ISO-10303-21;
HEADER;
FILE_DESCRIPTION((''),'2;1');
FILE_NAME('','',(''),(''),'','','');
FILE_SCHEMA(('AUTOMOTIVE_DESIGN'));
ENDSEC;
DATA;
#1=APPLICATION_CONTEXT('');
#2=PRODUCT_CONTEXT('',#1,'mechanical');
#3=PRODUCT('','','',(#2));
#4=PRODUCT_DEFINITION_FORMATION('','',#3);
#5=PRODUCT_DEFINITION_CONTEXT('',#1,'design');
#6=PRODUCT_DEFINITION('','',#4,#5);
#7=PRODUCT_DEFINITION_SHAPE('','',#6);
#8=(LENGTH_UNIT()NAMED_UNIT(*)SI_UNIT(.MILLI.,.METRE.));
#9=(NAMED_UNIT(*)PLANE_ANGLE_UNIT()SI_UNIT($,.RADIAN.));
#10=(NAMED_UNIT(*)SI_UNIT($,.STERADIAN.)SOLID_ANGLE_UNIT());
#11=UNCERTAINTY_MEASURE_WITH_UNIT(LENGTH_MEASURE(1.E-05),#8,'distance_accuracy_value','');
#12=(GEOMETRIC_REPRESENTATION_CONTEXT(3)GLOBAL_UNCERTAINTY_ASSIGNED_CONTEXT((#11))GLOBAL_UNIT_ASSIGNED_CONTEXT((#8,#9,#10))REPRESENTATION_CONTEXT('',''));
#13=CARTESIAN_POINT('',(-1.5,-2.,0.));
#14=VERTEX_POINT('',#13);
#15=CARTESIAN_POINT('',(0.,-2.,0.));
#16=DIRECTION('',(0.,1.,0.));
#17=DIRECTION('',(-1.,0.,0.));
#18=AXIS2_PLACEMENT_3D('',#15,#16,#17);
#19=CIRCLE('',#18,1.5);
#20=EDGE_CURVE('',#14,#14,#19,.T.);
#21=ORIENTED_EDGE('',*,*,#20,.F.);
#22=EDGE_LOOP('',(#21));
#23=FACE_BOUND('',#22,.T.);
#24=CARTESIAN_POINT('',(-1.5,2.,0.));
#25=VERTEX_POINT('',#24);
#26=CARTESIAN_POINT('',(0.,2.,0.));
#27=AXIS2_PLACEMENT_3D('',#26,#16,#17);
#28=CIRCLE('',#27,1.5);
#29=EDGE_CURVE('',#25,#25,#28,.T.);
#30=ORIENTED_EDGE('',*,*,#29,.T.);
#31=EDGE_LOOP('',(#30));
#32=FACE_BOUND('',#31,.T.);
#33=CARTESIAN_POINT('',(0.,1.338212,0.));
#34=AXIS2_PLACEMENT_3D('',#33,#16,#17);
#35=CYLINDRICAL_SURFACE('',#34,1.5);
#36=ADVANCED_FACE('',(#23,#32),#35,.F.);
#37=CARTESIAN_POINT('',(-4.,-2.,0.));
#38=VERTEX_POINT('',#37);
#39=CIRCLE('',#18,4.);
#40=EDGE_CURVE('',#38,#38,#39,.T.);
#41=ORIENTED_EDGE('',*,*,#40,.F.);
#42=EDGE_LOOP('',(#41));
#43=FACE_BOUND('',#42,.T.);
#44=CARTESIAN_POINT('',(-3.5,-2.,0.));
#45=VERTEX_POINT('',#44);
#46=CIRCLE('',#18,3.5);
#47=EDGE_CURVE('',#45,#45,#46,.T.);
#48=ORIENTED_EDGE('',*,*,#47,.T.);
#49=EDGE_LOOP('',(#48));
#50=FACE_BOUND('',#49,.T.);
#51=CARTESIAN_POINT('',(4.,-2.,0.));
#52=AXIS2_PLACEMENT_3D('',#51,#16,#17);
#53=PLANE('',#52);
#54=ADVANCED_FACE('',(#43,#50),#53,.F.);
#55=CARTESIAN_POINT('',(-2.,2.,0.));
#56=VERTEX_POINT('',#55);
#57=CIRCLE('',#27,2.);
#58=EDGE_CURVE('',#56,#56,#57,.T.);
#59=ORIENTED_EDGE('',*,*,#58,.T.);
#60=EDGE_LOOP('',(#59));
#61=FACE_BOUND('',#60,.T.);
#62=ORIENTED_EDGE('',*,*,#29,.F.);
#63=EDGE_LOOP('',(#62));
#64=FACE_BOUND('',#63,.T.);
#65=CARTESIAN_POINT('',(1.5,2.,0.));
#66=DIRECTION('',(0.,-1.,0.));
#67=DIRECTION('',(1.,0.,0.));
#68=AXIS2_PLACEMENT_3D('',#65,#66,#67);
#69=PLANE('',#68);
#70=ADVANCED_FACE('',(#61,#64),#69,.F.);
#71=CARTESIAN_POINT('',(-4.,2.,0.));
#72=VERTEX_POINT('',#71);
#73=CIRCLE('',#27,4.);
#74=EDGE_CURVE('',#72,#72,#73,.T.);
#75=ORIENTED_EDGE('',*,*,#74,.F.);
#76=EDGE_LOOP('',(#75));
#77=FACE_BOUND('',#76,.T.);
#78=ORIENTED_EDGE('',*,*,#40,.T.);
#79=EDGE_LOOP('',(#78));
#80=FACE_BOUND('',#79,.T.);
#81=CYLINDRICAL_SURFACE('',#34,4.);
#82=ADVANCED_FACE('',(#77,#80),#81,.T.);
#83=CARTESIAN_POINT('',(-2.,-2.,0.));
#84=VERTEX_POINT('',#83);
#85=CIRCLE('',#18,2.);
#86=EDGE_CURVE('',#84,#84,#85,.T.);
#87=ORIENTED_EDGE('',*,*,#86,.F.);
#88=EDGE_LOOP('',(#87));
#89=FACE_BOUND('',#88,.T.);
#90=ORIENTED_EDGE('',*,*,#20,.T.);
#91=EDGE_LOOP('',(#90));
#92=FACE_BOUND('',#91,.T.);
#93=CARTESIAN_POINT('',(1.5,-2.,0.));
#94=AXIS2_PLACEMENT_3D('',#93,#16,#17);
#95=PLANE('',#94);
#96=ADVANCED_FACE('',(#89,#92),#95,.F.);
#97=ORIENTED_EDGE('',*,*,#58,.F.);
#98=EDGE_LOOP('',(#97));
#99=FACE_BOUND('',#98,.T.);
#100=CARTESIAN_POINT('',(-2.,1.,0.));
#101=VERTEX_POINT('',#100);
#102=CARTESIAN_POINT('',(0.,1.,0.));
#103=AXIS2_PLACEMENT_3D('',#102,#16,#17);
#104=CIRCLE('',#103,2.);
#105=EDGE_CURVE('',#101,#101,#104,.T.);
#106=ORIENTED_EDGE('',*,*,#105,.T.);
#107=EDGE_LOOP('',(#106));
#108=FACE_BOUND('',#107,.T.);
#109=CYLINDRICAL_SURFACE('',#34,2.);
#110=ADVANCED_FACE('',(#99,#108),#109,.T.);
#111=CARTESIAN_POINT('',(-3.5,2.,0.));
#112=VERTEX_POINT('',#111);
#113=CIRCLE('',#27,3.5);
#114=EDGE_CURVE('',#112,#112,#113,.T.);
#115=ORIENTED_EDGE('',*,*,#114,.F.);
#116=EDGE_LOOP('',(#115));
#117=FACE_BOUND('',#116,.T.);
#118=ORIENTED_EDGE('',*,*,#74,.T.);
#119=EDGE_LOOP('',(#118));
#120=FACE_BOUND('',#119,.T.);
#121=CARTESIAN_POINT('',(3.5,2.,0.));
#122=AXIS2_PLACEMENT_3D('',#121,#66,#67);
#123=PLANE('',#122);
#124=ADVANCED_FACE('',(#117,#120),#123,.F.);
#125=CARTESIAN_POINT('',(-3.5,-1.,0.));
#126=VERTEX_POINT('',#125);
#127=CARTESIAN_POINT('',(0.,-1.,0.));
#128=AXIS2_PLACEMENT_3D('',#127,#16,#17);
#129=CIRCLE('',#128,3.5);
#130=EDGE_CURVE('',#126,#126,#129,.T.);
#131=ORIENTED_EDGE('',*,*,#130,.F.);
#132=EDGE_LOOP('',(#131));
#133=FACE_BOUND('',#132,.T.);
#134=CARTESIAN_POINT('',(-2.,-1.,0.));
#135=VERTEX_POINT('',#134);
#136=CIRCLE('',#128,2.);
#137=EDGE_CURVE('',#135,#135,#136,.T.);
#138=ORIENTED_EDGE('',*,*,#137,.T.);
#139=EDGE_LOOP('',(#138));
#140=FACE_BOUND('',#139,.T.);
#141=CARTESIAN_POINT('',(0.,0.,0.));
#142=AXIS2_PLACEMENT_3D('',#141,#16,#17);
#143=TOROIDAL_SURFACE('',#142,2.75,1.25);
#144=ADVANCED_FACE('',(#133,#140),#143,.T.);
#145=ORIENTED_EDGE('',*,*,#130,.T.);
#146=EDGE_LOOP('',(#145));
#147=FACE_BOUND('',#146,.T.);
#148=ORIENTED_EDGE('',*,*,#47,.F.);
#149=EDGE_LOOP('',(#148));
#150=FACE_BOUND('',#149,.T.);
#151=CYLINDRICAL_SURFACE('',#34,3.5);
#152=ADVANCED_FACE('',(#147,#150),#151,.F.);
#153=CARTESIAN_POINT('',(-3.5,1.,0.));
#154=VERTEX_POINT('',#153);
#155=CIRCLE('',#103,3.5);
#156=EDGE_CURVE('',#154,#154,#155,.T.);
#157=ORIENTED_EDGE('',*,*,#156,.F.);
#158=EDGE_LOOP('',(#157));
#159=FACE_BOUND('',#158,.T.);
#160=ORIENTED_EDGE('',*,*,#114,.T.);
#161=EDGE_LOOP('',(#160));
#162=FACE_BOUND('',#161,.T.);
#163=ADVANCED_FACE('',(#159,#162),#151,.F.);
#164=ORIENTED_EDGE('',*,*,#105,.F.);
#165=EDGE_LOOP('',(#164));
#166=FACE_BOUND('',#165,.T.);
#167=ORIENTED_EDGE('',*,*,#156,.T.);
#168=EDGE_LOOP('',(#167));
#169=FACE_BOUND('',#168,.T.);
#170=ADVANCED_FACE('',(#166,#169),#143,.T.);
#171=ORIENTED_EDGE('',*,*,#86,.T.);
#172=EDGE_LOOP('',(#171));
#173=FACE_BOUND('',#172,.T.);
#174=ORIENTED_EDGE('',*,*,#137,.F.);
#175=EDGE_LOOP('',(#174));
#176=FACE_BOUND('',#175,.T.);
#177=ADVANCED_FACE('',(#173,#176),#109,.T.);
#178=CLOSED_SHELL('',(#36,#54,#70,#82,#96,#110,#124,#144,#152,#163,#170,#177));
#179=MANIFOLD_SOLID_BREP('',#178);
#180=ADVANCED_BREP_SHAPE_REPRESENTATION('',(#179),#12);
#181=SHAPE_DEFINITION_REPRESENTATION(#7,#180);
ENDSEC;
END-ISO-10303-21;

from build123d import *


with BuildPart() as part:
    # Sketch1 → Revolve1 (revolve)
    with BuildSketch(Plane.XY):
        with BuildLine():
            Line((1.5, 2), (1.5, -2))
            Line((1.5, -2), (2, -2))
            Line((2, -2), (2, -1))
            ThreePointArc((2, -1), (2.75, -1.25), (3.5, -1))
            Line((3.5, -1), (3.5, -2))
            Line((3.5, -2), (4, -2))
            Line((4, -2), (4, 2))
            Line((4, 2), (3.5, 2))
            Line((3.5, 2), (3.5, 1))
            ThreePointArc((3.5, 1), (2.75, 1.25), (2, 1))
            Line((2, 1), (2, 2))
            Line((2, 2), (1.5, 2))
        make_face()
    revolve(axis=Axis((0, 1.338212484, 0), (0, -1, 0)))


solid = part.part
